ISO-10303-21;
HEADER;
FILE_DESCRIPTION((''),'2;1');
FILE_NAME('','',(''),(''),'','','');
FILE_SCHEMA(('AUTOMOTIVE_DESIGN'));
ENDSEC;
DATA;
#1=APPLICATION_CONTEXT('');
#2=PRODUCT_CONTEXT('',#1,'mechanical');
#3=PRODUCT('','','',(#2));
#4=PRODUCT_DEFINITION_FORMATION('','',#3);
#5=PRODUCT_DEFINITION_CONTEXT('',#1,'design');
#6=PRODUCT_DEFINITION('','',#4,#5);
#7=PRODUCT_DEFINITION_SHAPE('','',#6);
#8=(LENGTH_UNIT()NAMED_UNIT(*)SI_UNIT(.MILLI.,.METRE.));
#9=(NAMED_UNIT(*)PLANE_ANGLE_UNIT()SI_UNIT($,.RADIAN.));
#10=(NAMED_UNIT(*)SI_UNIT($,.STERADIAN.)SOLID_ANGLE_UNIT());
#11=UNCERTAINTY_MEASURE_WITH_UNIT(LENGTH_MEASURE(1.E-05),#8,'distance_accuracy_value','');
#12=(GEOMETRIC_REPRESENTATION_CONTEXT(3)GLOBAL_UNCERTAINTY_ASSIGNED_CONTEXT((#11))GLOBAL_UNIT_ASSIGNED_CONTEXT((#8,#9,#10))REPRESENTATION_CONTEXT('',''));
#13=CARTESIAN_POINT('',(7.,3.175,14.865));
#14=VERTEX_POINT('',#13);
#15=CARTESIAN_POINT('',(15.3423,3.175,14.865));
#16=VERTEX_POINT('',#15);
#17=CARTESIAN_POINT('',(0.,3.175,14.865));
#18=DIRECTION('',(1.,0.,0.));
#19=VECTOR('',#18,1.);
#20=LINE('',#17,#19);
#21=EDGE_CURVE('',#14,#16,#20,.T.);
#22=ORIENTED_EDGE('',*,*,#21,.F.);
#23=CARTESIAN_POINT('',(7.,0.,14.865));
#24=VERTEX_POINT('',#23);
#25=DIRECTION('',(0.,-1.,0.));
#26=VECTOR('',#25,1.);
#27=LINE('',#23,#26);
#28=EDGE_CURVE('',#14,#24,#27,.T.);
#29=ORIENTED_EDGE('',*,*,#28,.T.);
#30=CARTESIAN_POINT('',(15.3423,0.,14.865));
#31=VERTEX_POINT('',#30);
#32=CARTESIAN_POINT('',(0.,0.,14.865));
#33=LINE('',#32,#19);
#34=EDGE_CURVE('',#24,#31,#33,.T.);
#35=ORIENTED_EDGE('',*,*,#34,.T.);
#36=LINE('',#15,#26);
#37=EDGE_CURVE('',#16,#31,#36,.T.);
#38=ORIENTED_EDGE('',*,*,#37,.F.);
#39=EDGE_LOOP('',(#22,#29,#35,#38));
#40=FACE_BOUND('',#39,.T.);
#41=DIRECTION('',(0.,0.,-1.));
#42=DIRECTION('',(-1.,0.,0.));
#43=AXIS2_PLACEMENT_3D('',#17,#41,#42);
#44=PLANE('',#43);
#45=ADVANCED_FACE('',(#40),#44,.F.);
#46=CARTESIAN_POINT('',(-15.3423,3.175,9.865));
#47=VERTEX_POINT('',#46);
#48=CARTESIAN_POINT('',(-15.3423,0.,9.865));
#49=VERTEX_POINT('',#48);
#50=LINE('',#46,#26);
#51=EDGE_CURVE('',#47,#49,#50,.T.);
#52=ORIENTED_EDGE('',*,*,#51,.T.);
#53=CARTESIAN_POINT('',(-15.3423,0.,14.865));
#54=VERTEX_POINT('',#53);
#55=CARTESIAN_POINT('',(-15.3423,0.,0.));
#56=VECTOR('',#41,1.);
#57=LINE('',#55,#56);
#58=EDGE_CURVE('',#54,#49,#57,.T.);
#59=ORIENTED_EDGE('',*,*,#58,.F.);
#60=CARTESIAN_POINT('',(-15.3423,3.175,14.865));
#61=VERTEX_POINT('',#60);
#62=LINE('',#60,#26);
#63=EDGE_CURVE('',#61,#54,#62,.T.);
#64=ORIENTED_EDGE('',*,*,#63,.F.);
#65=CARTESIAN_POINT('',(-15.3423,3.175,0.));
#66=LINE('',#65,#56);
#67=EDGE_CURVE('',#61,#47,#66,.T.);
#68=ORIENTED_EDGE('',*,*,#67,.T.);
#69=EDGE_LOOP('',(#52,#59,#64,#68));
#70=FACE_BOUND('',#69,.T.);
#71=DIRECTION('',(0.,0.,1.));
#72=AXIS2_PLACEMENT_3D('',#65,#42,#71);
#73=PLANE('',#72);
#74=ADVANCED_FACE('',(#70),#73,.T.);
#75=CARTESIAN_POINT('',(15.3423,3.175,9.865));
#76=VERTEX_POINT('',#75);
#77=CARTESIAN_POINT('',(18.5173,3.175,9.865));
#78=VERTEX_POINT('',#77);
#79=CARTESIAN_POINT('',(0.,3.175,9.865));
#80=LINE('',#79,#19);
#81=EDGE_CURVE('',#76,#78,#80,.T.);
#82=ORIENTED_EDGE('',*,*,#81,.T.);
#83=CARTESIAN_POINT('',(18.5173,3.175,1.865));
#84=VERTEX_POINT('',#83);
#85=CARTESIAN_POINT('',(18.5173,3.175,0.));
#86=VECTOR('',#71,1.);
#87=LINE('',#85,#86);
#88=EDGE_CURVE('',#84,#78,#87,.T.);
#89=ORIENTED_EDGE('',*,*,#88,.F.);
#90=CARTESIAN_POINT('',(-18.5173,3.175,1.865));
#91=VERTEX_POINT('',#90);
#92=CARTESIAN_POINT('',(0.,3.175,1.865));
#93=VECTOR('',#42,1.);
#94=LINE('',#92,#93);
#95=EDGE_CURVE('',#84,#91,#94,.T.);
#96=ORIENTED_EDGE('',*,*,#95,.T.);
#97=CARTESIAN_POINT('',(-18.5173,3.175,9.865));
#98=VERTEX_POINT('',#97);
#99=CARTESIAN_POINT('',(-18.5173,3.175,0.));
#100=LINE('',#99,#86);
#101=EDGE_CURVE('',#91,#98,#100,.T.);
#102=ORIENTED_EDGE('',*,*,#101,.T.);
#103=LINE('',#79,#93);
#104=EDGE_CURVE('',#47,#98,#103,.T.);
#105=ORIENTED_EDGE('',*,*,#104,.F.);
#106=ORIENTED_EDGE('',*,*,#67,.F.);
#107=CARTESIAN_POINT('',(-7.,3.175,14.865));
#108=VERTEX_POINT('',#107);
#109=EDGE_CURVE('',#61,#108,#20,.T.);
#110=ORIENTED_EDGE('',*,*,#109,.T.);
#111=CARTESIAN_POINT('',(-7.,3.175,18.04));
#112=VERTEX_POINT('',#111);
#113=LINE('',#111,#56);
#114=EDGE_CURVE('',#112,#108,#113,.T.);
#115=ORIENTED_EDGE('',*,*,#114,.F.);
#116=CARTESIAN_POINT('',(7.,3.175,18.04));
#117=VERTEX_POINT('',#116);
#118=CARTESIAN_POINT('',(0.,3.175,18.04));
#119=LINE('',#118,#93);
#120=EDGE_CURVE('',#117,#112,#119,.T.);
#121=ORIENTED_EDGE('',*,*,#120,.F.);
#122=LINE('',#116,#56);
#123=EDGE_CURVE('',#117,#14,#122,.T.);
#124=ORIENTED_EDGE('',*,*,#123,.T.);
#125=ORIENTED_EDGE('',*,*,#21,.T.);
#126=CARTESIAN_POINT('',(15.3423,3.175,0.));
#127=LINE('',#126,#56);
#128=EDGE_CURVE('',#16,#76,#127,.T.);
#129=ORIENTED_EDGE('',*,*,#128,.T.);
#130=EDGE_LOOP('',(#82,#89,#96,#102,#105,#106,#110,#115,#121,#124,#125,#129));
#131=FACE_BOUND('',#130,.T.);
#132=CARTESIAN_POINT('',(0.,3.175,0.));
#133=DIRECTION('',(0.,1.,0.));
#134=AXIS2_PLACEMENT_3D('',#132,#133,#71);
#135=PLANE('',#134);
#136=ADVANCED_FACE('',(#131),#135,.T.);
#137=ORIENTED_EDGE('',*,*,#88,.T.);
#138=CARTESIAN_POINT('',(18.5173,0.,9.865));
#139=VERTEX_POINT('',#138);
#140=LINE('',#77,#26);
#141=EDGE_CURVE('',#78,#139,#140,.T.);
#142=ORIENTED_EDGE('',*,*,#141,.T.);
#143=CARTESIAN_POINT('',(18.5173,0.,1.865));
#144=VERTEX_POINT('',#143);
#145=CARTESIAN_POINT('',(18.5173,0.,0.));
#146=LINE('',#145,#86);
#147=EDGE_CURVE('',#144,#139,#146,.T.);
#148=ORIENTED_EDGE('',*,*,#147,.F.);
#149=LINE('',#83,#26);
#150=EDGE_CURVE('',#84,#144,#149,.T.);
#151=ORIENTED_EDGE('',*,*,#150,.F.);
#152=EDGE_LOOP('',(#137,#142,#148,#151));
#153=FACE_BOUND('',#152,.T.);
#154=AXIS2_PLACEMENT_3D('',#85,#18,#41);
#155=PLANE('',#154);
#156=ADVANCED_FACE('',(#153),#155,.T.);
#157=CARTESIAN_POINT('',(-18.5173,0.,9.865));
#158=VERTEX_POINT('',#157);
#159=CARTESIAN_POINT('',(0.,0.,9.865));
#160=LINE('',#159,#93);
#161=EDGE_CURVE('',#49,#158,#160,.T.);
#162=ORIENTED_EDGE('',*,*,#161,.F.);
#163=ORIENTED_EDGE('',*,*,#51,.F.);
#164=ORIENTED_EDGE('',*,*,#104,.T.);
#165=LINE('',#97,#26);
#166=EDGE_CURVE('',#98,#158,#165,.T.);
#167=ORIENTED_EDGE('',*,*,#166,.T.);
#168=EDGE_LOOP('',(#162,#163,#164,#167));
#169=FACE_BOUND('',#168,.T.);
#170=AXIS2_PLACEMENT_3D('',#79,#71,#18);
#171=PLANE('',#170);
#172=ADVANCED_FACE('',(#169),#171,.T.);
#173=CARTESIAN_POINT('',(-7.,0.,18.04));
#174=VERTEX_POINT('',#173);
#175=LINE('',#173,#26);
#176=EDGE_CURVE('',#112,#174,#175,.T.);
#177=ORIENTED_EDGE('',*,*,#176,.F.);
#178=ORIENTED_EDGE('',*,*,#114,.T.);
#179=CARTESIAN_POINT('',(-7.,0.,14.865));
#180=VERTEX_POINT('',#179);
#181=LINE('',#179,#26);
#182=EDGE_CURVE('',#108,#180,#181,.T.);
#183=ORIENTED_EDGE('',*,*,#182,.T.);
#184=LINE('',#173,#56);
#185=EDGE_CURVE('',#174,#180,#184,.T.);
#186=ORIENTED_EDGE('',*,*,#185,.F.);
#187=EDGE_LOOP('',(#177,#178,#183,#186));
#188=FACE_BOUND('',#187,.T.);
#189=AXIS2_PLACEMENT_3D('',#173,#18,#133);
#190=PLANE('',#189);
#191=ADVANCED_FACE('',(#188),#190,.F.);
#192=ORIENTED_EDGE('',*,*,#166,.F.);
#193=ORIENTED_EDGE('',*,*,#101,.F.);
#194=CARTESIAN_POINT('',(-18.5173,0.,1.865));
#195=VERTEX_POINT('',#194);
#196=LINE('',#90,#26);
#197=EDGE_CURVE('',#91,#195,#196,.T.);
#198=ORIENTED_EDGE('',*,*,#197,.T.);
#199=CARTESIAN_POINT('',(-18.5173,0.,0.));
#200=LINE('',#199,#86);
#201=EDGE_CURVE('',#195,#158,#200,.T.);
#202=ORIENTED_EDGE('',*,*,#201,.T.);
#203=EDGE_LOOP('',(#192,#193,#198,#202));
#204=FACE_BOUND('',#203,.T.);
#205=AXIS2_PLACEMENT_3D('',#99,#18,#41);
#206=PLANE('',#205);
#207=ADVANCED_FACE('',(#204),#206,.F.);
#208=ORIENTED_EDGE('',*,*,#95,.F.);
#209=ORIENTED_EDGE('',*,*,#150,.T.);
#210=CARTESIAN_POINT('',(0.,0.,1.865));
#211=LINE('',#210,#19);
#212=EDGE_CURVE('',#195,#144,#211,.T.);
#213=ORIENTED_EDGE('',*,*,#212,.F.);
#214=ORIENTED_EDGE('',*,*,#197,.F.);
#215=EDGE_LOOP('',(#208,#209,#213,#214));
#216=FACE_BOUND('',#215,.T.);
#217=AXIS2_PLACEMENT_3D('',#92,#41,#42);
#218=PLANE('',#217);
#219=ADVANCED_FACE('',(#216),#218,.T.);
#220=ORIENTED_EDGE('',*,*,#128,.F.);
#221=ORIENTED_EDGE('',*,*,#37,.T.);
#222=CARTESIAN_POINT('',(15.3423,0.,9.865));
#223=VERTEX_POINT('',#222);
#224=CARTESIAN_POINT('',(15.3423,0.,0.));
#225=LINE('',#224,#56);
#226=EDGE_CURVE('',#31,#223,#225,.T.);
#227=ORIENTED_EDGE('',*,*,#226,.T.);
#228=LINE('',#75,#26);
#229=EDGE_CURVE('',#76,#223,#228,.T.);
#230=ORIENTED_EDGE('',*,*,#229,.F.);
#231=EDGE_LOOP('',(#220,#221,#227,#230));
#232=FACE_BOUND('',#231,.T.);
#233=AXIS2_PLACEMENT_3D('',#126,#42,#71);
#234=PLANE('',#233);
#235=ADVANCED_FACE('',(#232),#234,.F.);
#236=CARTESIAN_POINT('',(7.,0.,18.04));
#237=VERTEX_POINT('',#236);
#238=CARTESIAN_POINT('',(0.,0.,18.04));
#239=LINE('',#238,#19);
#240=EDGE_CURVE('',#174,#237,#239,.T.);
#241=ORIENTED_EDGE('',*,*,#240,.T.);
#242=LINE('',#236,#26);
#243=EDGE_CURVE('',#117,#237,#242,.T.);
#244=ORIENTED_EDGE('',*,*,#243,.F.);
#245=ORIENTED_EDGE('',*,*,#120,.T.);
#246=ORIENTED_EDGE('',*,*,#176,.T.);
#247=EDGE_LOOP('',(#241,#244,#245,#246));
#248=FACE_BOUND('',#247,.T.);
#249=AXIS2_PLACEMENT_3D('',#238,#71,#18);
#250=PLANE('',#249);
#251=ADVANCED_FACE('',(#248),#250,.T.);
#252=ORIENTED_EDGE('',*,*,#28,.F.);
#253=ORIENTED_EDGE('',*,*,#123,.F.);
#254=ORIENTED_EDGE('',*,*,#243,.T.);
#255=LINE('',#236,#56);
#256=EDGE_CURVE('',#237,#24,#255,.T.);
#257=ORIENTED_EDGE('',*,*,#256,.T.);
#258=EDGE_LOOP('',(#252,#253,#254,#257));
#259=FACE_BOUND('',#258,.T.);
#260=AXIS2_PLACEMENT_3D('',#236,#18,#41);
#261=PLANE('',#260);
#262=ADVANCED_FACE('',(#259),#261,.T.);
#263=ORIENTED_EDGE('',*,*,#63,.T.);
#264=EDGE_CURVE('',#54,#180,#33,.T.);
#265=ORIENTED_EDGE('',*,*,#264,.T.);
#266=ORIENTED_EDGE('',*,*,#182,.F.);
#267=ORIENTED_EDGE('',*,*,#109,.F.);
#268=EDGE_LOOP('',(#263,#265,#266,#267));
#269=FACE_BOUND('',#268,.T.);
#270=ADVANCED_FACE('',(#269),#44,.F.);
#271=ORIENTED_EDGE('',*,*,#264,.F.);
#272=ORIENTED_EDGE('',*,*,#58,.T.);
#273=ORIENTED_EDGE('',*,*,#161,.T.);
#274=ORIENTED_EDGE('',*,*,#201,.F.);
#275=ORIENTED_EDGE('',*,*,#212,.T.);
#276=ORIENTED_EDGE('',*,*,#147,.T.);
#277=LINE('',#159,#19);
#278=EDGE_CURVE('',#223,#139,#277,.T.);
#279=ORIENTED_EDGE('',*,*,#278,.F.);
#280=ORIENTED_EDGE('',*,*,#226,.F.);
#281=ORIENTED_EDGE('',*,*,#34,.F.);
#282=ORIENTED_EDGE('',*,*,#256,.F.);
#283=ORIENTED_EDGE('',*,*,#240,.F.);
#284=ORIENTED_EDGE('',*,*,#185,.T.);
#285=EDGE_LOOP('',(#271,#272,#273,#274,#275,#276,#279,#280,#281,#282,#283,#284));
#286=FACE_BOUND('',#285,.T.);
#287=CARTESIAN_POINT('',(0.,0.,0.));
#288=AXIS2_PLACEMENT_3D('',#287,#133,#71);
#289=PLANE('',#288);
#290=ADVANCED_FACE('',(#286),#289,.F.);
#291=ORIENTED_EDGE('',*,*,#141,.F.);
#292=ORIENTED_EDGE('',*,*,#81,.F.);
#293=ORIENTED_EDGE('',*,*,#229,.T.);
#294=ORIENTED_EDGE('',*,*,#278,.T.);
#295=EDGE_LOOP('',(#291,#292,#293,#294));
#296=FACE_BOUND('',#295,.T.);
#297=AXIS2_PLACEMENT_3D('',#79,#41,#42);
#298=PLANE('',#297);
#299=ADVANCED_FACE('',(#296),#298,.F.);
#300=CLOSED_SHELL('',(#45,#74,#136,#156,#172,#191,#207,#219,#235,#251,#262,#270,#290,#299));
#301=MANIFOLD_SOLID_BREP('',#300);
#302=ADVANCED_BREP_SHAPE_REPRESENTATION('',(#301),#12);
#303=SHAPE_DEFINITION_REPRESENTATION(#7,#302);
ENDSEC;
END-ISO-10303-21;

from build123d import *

# Parameters (mm, degrees)
SKETCH1_W           = 3.175
SKETCH1_H           = 8
SKETCH1_W_2         = 30.6846
SKETCH1_H_2         = 29.73
BOSS_EXTRUDE1_DEPTH = 3.175
SKETCH2_W           = 14
SKETCH2_H           = 3.175
BOSS_EXTRUDE5_DEPTH = 3.175
SKETCH3_W           = 3.175
SKETCH3_H           = 8
SKETCH3_W_2         = 5.123924413
SKETCH3_H_2         = 0.857075887
CUT_EXTRUDE1_DEPTH  = 3.175


with BuildPart() as part:
    # Sketch1 → Boss-Extrude1 (new body)
    with BuildSketch(Plane(origin=(0, 0, 0), x_dir=(1, 0, 0), z_dir=(0, 1, 0))):
        with Locations((-16.9298, 5.865)):
            Rectangle(SKETCH1_W, SKETCH1_H)
        Rectangle(SKETCH1_W_2, SKETCH1_H_2)
        with Locations((16.9298, -5.865)):
            Rectangle(SKETCH1_W, SKETCH1_H)
        with Locations((16.9298, 5.865)):
            Rectangle(SKETCH1_W, SKETCH1_H)
        with Locations((-16.9298, -5.865)):
            Rectangle(SKETCH1_W, SKETCH1_H)
    extrude(amount=BOSS_EXTRUDE1_DEPTH)

    # Sketch2 → Boss-Extrude5 (add)
    with BuildSketch(Plane.XY.offset(14.865)):
        with Locations((0, 1.5875)):
            Rectangle(SKETCH2_W, SKETCH2_H)
    extrude(amount=BOSS_EXTRUDE5_DEPTH)

    # Sketch3 → Cut-Extrude1 (cut)
    with BuildSketch(Plane(origin=(0, 3.175, 0), x_dir=(1, 0, 0), z_dir=(0, 1, 0))):
        Polygon((-18.5173, -1.865), (-15.3423, -1.865), (-15.3423, 1.865), (-18.5173, 1.865), (-18.5173, 9.865), (-15.3423, 9.865), (-15.3423, 14.865), (-15.3423, 15.722075887), (-23.299658128, 15.722075887), (-23.299658128, -1.865), align=None)
        Polygon((-15.3423, 1.865), (-15.3423, -1.865), (-10.218375587, -1.865), (-10.218375587, 14.865), (-15.3423, 14.865), (-15.3423, 9.865), align=None)
        Polygon((-10.218375587, 14.865), (-10.218375587, -1.865), (15.3423, -1.865), (15.3423, 1.865), (18.5173, 1.865), (18.5173, 9.865), (15.3423, 9.865), (15.3423, 14.865), align=None)
        Polygon((15.3423, 1.865), (15.3423, -1.865), (18.5173, -1.865), (22.154495347, -1.865), (22.154495347, 15.722075887), (-10.218375587, 15.722075887), (-10.218375587, 14.865), (15.3423, 14.865), (15.3423, 9.865), (18.5173, 9.865), (18.5173, 1.865), align=None)
        with Locations((-16.9298, 5.865)):
            Rectangle(SKETCH3_W, SKETCH3_H)
        with Locations((-12.780337794, 15.293537944)):
            Rectangle(SKETCH3_W_2, SKETCH3_H_2)
    extrude(amount=-CUT_EXTRUDE1_DEPTH, mode=Mode.SUBTRACT)


solid = part.part
